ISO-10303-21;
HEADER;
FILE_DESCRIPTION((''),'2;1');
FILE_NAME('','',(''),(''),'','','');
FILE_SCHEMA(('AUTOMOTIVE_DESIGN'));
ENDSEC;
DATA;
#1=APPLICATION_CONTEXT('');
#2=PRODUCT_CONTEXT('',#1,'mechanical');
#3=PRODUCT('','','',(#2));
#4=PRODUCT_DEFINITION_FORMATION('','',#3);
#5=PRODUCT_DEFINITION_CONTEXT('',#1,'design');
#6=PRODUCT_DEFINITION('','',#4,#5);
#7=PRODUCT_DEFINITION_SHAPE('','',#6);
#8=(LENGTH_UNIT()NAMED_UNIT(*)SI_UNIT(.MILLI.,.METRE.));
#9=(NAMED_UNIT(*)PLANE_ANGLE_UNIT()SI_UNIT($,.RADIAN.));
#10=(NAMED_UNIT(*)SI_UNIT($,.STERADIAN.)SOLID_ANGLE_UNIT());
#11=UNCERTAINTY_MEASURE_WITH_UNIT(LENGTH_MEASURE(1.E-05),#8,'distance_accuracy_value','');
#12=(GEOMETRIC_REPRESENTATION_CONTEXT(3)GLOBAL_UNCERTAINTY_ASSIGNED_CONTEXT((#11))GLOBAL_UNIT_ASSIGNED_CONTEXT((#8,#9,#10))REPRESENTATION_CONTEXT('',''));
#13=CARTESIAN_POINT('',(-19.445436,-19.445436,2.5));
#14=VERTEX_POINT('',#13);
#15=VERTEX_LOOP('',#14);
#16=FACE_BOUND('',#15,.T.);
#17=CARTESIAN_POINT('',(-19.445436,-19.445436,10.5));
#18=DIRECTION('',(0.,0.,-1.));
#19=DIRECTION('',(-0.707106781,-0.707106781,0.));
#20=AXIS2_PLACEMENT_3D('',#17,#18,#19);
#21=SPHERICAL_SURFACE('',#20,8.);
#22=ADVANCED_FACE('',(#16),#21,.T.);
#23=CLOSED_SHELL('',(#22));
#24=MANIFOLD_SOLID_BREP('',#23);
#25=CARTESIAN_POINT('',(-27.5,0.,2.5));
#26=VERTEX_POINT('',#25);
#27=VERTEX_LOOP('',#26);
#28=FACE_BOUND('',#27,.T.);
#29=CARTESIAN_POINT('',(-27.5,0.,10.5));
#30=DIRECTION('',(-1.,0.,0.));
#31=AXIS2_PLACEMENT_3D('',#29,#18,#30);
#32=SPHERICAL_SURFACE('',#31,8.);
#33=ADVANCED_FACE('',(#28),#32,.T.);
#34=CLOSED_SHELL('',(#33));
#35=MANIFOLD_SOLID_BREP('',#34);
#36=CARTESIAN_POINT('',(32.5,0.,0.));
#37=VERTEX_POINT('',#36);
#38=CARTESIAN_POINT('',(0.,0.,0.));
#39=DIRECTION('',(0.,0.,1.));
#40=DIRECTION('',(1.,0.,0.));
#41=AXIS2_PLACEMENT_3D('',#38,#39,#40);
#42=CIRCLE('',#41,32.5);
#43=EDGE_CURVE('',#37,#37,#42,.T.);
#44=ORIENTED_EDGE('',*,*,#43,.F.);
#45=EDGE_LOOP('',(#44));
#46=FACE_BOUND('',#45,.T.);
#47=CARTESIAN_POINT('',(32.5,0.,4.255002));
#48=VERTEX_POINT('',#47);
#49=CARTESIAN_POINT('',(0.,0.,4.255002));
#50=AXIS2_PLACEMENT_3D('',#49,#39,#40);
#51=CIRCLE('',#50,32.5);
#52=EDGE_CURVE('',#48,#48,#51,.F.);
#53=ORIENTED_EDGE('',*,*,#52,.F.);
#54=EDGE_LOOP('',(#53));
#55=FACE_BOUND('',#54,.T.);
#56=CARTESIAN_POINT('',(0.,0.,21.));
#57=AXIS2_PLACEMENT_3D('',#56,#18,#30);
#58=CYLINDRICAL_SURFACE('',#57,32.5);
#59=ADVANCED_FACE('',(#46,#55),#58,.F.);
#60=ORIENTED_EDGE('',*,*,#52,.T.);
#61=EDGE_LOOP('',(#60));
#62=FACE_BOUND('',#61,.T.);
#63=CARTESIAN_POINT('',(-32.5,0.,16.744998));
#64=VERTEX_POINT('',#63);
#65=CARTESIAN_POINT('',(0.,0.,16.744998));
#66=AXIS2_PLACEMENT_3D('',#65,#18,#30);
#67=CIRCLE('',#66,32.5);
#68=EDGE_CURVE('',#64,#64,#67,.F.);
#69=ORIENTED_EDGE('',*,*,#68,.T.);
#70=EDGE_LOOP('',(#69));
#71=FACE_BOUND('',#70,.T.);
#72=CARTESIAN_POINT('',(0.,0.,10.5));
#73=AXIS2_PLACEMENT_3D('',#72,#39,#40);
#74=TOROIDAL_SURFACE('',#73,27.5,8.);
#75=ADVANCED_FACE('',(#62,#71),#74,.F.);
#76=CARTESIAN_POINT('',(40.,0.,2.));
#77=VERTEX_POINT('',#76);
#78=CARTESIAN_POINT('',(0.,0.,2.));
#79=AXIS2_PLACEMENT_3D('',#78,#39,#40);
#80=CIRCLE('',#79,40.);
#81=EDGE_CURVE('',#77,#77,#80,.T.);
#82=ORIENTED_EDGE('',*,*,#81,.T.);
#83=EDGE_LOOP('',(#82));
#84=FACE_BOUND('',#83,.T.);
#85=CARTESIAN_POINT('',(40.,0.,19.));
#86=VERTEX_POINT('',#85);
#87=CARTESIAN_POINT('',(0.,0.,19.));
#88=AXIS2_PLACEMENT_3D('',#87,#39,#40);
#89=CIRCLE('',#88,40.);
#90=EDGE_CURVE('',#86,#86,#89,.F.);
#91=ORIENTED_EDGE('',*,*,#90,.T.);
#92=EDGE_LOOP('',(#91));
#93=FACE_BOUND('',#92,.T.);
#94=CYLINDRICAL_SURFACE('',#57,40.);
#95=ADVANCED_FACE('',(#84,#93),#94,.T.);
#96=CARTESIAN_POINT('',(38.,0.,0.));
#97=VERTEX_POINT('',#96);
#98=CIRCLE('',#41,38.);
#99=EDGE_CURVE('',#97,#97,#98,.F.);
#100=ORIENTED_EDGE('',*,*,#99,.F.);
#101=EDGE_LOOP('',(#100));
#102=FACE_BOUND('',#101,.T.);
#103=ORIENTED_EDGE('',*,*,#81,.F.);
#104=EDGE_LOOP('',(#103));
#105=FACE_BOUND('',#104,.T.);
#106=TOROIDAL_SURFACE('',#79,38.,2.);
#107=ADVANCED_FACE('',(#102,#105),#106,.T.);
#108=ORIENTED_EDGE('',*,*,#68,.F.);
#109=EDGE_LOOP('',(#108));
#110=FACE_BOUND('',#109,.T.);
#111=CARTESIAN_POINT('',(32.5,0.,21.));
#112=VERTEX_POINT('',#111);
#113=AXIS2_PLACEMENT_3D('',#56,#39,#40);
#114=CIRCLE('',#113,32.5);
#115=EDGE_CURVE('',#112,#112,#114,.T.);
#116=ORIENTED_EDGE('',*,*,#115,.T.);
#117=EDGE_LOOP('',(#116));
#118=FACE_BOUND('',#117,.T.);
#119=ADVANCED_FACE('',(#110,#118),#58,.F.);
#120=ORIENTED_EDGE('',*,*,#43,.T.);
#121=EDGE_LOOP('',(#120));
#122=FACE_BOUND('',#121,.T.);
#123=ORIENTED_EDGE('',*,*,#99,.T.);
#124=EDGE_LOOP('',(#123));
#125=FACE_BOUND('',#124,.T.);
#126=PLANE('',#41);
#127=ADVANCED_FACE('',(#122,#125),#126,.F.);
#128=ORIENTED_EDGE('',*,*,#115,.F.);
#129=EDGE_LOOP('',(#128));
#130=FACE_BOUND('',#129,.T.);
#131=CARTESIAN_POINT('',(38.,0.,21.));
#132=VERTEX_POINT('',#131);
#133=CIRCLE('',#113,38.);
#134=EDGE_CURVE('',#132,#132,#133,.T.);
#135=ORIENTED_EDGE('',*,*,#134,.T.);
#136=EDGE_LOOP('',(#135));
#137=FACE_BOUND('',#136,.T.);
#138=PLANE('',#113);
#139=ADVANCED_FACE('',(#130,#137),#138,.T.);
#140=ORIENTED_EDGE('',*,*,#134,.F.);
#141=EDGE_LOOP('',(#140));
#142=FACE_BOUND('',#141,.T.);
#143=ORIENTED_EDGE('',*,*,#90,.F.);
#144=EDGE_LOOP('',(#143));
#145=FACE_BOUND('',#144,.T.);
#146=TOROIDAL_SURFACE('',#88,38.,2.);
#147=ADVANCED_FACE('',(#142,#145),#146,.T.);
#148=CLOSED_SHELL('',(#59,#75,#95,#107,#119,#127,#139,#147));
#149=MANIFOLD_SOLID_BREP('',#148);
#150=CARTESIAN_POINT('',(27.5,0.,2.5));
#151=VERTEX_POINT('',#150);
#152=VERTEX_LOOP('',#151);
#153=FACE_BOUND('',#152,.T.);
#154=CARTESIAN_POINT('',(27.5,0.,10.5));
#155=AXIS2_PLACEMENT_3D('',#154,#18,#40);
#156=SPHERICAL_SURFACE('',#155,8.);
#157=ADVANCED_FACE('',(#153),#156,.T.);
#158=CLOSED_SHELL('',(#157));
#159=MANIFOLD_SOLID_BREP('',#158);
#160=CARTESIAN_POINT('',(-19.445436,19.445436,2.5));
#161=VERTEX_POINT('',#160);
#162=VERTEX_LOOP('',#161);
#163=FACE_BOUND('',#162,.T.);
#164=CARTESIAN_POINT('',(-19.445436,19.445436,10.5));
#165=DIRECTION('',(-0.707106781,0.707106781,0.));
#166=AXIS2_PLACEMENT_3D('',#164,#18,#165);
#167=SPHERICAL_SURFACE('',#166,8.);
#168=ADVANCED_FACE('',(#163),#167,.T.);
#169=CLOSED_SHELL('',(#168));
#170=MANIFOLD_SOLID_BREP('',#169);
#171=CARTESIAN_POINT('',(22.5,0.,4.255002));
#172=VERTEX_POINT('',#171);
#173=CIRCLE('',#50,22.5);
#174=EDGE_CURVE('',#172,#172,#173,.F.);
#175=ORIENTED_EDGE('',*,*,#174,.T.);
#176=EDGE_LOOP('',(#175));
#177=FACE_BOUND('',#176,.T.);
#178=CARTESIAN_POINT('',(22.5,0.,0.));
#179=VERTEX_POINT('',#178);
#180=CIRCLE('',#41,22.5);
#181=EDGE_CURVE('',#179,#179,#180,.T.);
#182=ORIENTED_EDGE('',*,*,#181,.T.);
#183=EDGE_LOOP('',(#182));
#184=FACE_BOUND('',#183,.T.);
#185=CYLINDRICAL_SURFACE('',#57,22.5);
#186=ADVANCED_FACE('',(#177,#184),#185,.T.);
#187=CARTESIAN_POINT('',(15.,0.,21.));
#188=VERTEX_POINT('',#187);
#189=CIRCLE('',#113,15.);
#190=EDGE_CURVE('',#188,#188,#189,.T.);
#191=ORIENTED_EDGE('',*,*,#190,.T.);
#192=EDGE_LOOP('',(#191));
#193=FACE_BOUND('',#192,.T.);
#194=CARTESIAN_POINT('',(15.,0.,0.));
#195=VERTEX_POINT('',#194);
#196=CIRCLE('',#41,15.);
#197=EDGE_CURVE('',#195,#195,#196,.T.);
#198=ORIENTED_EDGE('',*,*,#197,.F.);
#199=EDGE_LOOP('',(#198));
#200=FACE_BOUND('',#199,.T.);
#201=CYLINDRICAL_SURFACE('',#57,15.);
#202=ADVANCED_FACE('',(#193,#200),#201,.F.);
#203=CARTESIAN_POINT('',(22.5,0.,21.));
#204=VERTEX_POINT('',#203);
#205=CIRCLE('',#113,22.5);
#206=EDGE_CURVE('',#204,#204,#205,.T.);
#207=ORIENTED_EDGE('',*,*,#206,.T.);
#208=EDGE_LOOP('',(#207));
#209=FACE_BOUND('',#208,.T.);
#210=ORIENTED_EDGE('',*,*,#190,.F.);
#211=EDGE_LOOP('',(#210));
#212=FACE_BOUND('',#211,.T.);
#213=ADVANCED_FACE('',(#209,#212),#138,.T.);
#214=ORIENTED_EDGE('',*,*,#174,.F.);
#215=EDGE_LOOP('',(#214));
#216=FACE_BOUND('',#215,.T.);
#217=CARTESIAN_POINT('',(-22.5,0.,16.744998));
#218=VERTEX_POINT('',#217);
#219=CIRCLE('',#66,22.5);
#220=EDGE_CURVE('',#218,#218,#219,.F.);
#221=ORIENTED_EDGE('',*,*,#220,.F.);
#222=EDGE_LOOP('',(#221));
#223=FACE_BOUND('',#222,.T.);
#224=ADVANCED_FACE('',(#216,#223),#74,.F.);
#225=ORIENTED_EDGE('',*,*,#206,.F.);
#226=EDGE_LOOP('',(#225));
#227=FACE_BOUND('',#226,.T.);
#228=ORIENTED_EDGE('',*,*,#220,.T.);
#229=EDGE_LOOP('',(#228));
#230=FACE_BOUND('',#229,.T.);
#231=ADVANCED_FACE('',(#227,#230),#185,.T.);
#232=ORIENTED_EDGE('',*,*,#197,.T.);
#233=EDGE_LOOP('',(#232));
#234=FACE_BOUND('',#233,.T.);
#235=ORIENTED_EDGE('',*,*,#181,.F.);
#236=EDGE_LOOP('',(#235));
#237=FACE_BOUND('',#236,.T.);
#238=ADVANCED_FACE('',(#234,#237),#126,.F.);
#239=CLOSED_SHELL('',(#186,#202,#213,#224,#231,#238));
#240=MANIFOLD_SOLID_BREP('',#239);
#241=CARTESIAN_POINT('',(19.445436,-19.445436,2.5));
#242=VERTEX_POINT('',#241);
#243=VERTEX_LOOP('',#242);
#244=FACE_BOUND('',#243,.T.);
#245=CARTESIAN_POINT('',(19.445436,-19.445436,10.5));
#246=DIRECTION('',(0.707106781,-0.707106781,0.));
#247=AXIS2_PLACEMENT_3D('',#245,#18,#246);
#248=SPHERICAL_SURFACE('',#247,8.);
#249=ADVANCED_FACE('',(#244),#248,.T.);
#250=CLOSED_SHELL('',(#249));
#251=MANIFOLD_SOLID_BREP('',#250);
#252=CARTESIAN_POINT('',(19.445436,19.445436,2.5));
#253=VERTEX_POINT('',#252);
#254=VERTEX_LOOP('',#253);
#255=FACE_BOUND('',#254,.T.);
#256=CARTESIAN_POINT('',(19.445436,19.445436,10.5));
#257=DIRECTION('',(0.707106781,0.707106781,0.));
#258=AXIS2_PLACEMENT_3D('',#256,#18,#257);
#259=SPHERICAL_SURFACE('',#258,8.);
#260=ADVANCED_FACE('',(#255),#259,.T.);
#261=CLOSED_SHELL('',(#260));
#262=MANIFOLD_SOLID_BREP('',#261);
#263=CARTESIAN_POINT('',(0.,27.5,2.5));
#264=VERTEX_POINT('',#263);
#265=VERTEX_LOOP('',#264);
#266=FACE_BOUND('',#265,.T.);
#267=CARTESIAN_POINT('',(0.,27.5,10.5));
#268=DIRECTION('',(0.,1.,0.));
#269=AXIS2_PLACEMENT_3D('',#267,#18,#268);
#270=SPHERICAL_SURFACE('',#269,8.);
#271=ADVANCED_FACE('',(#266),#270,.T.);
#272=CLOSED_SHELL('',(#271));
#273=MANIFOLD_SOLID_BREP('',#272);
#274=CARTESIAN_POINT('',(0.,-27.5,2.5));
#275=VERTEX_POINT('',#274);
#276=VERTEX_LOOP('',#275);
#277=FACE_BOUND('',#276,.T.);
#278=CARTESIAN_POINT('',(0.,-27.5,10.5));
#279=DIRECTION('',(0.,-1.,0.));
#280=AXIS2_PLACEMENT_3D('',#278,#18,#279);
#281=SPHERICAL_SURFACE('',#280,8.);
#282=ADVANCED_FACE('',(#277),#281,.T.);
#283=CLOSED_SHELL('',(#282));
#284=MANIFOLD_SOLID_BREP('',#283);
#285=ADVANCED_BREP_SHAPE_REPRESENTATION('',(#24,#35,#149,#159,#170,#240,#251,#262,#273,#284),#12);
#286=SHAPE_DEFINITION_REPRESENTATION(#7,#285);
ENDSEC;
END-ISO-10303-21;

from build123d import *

# Parameters (mm, degrees)
SKETCH1_R             = 40
SKETCH1_R_2           = 32.5
BOSS_EXTRUDE1_DEPTH   = 21
SKETCH1_R_3           = 22.5
SKETCH1_R_4           = 15
BOSS_EXTRUDE1_2_DEPTH = 21
SKETCH2_R             = 8
CIRPATTERN1_COUNT     = 8
FILLET1_R             = 2


with BuildPart() as part:
    # Sketch1 → Boss-Extrude1 (new body)
    with BuildSketch(Plane.XY):
        Circle(SKETCH1_R)
        Circle(SKETCH1_R_2, mode=Mode.SUBTRACT)
    extrude(amount=BOSS_EXTRUDE1_DEPTH)


with BuildPart() as body_2:
    # Sketch1 → Boss-Extrude1 2 (new body)
    with BuildSketch(Plane.XY):
        Circle(SKETCH1_R_3)
        Circle(SKETCH1_R_4, mode=Mode.SUBTRACT)
    extrude(amount=BOSS_EXTRUDE1_2_DEPTH)


with BuildPart() as cut_revolve1_tool:
    # Sketch2 → Cut-Revolve1 (revolve)
    with BuildSketch(Plane(origin=(0, 0, 0), x_dir=(1, 0, 0), z_dir=(0, 1, 0))):
        with Locations((27.5, -10.5)):
            Circle(SKETCH2_R)
    revolve(axis=Axis((0, 0, 0), (0, 0, -1)))


with BuildPart() as part_1:
    add(part.part)

    # Cut-Revolve1: cut by cut_revolve1_tool
    add(cut_revolve1_tool.part, mode=Mode.SUBTRACT)

    # Fillet1
    fillet1_edges = [part_1.edges().sort_by_distance(p)[0] for p in [
        (-40, 0, 21),
        (-40, 0, 0),
    ]]
    fillet(fillet1_edges, radius=FILLET1_R)


with BuildPart() as body_2_1:
    add(body_2.part)

    # Cut-Revolve1: cut by cut_revolve1_tool
    add(cut_revolve1_tool.part, mode=Mode.SUBTRACT)


with BuildPart() as body_3:
    # Sketch3 → Revolve1 (revolve)
    with BuildSketch(Plane(origin=(0, 0, 0), x_dir=(1, 0, 0), z_dir=(0, 1, 0))):
        with BuildLine():
            Line((27.5, -2.5), (27.5, -18.5))
            ThreePointArc((27.5, -18.5), (35.5, -10.5), (27.5, -2.5))
        make_face()
    revolve(axis=Axis((27.5, 0, 2.5), (0, 0, 1)))


with BuildPart() as cirpattern1_1:
    # CirPattern1: pattern copy
    add(body_3.part.rotate(Axis((0, 0, 0), (0, 0, 1)), 1 * 360 / CIRPATTERN1_COUNT))


with BuildPart() as cirpattern1_2:
    # CirPattern1: pattern copy
    add(body_3.part.rotate(Axis((0, 0, 0), (0, 0, 1)), 2 * 360 / CIRPATTERN1_COUNT))


with BuildPart() as cirpattern1_3:
    # CirPattern1: pattern copy
    add(body_3.part.rotate(Axis((0, 0, 0), (0, 0, 1)), 3 * 360 / CIRPATTERN1_COUNT))


with BuildPart() as cirpattern1_4:
    # CirPattern1: pattern copy
    add(body_3.part.rotate(Axis((0, 0, 0), (0, 0, 1)), 4 * 360 / CIRPATTERN1_COUNT))


with BuildPart() as cirpattern1_5:
    # CirPattern1: pattern copy
    add(body_3.part.rotate(Axis((0, 0, 0), (0, 0, 1)), 5 * 360 / CIRPATTERN1_COUNT))


with BuildPart() as cirpattern1_6:
    # CirPattern1: pattern copy
    add(body_3.part.rotate(Axis((0, 0, 0), (0, 0, 1)), 6 * 360 / CIRPATTERN1_COUNT))


with BuildPart() as cirpattern1_7:
    # CirPattern1: pattern copy
    add(body_3.part.rotate(Axis((0, 0, 0), (0, 0, 1)), 7 * 360 / CIRPATTERN1_COUNT))


solid = Compound([part_1.part, body_2_1.part, body_3.part, cirpattern1_1.part, cirpattern1_2.part, cirpattern1_3.part, cirpattern1_4.part, cirpattern1_5.part, cirpattern1_6.part, cirpattern1_7.part])
